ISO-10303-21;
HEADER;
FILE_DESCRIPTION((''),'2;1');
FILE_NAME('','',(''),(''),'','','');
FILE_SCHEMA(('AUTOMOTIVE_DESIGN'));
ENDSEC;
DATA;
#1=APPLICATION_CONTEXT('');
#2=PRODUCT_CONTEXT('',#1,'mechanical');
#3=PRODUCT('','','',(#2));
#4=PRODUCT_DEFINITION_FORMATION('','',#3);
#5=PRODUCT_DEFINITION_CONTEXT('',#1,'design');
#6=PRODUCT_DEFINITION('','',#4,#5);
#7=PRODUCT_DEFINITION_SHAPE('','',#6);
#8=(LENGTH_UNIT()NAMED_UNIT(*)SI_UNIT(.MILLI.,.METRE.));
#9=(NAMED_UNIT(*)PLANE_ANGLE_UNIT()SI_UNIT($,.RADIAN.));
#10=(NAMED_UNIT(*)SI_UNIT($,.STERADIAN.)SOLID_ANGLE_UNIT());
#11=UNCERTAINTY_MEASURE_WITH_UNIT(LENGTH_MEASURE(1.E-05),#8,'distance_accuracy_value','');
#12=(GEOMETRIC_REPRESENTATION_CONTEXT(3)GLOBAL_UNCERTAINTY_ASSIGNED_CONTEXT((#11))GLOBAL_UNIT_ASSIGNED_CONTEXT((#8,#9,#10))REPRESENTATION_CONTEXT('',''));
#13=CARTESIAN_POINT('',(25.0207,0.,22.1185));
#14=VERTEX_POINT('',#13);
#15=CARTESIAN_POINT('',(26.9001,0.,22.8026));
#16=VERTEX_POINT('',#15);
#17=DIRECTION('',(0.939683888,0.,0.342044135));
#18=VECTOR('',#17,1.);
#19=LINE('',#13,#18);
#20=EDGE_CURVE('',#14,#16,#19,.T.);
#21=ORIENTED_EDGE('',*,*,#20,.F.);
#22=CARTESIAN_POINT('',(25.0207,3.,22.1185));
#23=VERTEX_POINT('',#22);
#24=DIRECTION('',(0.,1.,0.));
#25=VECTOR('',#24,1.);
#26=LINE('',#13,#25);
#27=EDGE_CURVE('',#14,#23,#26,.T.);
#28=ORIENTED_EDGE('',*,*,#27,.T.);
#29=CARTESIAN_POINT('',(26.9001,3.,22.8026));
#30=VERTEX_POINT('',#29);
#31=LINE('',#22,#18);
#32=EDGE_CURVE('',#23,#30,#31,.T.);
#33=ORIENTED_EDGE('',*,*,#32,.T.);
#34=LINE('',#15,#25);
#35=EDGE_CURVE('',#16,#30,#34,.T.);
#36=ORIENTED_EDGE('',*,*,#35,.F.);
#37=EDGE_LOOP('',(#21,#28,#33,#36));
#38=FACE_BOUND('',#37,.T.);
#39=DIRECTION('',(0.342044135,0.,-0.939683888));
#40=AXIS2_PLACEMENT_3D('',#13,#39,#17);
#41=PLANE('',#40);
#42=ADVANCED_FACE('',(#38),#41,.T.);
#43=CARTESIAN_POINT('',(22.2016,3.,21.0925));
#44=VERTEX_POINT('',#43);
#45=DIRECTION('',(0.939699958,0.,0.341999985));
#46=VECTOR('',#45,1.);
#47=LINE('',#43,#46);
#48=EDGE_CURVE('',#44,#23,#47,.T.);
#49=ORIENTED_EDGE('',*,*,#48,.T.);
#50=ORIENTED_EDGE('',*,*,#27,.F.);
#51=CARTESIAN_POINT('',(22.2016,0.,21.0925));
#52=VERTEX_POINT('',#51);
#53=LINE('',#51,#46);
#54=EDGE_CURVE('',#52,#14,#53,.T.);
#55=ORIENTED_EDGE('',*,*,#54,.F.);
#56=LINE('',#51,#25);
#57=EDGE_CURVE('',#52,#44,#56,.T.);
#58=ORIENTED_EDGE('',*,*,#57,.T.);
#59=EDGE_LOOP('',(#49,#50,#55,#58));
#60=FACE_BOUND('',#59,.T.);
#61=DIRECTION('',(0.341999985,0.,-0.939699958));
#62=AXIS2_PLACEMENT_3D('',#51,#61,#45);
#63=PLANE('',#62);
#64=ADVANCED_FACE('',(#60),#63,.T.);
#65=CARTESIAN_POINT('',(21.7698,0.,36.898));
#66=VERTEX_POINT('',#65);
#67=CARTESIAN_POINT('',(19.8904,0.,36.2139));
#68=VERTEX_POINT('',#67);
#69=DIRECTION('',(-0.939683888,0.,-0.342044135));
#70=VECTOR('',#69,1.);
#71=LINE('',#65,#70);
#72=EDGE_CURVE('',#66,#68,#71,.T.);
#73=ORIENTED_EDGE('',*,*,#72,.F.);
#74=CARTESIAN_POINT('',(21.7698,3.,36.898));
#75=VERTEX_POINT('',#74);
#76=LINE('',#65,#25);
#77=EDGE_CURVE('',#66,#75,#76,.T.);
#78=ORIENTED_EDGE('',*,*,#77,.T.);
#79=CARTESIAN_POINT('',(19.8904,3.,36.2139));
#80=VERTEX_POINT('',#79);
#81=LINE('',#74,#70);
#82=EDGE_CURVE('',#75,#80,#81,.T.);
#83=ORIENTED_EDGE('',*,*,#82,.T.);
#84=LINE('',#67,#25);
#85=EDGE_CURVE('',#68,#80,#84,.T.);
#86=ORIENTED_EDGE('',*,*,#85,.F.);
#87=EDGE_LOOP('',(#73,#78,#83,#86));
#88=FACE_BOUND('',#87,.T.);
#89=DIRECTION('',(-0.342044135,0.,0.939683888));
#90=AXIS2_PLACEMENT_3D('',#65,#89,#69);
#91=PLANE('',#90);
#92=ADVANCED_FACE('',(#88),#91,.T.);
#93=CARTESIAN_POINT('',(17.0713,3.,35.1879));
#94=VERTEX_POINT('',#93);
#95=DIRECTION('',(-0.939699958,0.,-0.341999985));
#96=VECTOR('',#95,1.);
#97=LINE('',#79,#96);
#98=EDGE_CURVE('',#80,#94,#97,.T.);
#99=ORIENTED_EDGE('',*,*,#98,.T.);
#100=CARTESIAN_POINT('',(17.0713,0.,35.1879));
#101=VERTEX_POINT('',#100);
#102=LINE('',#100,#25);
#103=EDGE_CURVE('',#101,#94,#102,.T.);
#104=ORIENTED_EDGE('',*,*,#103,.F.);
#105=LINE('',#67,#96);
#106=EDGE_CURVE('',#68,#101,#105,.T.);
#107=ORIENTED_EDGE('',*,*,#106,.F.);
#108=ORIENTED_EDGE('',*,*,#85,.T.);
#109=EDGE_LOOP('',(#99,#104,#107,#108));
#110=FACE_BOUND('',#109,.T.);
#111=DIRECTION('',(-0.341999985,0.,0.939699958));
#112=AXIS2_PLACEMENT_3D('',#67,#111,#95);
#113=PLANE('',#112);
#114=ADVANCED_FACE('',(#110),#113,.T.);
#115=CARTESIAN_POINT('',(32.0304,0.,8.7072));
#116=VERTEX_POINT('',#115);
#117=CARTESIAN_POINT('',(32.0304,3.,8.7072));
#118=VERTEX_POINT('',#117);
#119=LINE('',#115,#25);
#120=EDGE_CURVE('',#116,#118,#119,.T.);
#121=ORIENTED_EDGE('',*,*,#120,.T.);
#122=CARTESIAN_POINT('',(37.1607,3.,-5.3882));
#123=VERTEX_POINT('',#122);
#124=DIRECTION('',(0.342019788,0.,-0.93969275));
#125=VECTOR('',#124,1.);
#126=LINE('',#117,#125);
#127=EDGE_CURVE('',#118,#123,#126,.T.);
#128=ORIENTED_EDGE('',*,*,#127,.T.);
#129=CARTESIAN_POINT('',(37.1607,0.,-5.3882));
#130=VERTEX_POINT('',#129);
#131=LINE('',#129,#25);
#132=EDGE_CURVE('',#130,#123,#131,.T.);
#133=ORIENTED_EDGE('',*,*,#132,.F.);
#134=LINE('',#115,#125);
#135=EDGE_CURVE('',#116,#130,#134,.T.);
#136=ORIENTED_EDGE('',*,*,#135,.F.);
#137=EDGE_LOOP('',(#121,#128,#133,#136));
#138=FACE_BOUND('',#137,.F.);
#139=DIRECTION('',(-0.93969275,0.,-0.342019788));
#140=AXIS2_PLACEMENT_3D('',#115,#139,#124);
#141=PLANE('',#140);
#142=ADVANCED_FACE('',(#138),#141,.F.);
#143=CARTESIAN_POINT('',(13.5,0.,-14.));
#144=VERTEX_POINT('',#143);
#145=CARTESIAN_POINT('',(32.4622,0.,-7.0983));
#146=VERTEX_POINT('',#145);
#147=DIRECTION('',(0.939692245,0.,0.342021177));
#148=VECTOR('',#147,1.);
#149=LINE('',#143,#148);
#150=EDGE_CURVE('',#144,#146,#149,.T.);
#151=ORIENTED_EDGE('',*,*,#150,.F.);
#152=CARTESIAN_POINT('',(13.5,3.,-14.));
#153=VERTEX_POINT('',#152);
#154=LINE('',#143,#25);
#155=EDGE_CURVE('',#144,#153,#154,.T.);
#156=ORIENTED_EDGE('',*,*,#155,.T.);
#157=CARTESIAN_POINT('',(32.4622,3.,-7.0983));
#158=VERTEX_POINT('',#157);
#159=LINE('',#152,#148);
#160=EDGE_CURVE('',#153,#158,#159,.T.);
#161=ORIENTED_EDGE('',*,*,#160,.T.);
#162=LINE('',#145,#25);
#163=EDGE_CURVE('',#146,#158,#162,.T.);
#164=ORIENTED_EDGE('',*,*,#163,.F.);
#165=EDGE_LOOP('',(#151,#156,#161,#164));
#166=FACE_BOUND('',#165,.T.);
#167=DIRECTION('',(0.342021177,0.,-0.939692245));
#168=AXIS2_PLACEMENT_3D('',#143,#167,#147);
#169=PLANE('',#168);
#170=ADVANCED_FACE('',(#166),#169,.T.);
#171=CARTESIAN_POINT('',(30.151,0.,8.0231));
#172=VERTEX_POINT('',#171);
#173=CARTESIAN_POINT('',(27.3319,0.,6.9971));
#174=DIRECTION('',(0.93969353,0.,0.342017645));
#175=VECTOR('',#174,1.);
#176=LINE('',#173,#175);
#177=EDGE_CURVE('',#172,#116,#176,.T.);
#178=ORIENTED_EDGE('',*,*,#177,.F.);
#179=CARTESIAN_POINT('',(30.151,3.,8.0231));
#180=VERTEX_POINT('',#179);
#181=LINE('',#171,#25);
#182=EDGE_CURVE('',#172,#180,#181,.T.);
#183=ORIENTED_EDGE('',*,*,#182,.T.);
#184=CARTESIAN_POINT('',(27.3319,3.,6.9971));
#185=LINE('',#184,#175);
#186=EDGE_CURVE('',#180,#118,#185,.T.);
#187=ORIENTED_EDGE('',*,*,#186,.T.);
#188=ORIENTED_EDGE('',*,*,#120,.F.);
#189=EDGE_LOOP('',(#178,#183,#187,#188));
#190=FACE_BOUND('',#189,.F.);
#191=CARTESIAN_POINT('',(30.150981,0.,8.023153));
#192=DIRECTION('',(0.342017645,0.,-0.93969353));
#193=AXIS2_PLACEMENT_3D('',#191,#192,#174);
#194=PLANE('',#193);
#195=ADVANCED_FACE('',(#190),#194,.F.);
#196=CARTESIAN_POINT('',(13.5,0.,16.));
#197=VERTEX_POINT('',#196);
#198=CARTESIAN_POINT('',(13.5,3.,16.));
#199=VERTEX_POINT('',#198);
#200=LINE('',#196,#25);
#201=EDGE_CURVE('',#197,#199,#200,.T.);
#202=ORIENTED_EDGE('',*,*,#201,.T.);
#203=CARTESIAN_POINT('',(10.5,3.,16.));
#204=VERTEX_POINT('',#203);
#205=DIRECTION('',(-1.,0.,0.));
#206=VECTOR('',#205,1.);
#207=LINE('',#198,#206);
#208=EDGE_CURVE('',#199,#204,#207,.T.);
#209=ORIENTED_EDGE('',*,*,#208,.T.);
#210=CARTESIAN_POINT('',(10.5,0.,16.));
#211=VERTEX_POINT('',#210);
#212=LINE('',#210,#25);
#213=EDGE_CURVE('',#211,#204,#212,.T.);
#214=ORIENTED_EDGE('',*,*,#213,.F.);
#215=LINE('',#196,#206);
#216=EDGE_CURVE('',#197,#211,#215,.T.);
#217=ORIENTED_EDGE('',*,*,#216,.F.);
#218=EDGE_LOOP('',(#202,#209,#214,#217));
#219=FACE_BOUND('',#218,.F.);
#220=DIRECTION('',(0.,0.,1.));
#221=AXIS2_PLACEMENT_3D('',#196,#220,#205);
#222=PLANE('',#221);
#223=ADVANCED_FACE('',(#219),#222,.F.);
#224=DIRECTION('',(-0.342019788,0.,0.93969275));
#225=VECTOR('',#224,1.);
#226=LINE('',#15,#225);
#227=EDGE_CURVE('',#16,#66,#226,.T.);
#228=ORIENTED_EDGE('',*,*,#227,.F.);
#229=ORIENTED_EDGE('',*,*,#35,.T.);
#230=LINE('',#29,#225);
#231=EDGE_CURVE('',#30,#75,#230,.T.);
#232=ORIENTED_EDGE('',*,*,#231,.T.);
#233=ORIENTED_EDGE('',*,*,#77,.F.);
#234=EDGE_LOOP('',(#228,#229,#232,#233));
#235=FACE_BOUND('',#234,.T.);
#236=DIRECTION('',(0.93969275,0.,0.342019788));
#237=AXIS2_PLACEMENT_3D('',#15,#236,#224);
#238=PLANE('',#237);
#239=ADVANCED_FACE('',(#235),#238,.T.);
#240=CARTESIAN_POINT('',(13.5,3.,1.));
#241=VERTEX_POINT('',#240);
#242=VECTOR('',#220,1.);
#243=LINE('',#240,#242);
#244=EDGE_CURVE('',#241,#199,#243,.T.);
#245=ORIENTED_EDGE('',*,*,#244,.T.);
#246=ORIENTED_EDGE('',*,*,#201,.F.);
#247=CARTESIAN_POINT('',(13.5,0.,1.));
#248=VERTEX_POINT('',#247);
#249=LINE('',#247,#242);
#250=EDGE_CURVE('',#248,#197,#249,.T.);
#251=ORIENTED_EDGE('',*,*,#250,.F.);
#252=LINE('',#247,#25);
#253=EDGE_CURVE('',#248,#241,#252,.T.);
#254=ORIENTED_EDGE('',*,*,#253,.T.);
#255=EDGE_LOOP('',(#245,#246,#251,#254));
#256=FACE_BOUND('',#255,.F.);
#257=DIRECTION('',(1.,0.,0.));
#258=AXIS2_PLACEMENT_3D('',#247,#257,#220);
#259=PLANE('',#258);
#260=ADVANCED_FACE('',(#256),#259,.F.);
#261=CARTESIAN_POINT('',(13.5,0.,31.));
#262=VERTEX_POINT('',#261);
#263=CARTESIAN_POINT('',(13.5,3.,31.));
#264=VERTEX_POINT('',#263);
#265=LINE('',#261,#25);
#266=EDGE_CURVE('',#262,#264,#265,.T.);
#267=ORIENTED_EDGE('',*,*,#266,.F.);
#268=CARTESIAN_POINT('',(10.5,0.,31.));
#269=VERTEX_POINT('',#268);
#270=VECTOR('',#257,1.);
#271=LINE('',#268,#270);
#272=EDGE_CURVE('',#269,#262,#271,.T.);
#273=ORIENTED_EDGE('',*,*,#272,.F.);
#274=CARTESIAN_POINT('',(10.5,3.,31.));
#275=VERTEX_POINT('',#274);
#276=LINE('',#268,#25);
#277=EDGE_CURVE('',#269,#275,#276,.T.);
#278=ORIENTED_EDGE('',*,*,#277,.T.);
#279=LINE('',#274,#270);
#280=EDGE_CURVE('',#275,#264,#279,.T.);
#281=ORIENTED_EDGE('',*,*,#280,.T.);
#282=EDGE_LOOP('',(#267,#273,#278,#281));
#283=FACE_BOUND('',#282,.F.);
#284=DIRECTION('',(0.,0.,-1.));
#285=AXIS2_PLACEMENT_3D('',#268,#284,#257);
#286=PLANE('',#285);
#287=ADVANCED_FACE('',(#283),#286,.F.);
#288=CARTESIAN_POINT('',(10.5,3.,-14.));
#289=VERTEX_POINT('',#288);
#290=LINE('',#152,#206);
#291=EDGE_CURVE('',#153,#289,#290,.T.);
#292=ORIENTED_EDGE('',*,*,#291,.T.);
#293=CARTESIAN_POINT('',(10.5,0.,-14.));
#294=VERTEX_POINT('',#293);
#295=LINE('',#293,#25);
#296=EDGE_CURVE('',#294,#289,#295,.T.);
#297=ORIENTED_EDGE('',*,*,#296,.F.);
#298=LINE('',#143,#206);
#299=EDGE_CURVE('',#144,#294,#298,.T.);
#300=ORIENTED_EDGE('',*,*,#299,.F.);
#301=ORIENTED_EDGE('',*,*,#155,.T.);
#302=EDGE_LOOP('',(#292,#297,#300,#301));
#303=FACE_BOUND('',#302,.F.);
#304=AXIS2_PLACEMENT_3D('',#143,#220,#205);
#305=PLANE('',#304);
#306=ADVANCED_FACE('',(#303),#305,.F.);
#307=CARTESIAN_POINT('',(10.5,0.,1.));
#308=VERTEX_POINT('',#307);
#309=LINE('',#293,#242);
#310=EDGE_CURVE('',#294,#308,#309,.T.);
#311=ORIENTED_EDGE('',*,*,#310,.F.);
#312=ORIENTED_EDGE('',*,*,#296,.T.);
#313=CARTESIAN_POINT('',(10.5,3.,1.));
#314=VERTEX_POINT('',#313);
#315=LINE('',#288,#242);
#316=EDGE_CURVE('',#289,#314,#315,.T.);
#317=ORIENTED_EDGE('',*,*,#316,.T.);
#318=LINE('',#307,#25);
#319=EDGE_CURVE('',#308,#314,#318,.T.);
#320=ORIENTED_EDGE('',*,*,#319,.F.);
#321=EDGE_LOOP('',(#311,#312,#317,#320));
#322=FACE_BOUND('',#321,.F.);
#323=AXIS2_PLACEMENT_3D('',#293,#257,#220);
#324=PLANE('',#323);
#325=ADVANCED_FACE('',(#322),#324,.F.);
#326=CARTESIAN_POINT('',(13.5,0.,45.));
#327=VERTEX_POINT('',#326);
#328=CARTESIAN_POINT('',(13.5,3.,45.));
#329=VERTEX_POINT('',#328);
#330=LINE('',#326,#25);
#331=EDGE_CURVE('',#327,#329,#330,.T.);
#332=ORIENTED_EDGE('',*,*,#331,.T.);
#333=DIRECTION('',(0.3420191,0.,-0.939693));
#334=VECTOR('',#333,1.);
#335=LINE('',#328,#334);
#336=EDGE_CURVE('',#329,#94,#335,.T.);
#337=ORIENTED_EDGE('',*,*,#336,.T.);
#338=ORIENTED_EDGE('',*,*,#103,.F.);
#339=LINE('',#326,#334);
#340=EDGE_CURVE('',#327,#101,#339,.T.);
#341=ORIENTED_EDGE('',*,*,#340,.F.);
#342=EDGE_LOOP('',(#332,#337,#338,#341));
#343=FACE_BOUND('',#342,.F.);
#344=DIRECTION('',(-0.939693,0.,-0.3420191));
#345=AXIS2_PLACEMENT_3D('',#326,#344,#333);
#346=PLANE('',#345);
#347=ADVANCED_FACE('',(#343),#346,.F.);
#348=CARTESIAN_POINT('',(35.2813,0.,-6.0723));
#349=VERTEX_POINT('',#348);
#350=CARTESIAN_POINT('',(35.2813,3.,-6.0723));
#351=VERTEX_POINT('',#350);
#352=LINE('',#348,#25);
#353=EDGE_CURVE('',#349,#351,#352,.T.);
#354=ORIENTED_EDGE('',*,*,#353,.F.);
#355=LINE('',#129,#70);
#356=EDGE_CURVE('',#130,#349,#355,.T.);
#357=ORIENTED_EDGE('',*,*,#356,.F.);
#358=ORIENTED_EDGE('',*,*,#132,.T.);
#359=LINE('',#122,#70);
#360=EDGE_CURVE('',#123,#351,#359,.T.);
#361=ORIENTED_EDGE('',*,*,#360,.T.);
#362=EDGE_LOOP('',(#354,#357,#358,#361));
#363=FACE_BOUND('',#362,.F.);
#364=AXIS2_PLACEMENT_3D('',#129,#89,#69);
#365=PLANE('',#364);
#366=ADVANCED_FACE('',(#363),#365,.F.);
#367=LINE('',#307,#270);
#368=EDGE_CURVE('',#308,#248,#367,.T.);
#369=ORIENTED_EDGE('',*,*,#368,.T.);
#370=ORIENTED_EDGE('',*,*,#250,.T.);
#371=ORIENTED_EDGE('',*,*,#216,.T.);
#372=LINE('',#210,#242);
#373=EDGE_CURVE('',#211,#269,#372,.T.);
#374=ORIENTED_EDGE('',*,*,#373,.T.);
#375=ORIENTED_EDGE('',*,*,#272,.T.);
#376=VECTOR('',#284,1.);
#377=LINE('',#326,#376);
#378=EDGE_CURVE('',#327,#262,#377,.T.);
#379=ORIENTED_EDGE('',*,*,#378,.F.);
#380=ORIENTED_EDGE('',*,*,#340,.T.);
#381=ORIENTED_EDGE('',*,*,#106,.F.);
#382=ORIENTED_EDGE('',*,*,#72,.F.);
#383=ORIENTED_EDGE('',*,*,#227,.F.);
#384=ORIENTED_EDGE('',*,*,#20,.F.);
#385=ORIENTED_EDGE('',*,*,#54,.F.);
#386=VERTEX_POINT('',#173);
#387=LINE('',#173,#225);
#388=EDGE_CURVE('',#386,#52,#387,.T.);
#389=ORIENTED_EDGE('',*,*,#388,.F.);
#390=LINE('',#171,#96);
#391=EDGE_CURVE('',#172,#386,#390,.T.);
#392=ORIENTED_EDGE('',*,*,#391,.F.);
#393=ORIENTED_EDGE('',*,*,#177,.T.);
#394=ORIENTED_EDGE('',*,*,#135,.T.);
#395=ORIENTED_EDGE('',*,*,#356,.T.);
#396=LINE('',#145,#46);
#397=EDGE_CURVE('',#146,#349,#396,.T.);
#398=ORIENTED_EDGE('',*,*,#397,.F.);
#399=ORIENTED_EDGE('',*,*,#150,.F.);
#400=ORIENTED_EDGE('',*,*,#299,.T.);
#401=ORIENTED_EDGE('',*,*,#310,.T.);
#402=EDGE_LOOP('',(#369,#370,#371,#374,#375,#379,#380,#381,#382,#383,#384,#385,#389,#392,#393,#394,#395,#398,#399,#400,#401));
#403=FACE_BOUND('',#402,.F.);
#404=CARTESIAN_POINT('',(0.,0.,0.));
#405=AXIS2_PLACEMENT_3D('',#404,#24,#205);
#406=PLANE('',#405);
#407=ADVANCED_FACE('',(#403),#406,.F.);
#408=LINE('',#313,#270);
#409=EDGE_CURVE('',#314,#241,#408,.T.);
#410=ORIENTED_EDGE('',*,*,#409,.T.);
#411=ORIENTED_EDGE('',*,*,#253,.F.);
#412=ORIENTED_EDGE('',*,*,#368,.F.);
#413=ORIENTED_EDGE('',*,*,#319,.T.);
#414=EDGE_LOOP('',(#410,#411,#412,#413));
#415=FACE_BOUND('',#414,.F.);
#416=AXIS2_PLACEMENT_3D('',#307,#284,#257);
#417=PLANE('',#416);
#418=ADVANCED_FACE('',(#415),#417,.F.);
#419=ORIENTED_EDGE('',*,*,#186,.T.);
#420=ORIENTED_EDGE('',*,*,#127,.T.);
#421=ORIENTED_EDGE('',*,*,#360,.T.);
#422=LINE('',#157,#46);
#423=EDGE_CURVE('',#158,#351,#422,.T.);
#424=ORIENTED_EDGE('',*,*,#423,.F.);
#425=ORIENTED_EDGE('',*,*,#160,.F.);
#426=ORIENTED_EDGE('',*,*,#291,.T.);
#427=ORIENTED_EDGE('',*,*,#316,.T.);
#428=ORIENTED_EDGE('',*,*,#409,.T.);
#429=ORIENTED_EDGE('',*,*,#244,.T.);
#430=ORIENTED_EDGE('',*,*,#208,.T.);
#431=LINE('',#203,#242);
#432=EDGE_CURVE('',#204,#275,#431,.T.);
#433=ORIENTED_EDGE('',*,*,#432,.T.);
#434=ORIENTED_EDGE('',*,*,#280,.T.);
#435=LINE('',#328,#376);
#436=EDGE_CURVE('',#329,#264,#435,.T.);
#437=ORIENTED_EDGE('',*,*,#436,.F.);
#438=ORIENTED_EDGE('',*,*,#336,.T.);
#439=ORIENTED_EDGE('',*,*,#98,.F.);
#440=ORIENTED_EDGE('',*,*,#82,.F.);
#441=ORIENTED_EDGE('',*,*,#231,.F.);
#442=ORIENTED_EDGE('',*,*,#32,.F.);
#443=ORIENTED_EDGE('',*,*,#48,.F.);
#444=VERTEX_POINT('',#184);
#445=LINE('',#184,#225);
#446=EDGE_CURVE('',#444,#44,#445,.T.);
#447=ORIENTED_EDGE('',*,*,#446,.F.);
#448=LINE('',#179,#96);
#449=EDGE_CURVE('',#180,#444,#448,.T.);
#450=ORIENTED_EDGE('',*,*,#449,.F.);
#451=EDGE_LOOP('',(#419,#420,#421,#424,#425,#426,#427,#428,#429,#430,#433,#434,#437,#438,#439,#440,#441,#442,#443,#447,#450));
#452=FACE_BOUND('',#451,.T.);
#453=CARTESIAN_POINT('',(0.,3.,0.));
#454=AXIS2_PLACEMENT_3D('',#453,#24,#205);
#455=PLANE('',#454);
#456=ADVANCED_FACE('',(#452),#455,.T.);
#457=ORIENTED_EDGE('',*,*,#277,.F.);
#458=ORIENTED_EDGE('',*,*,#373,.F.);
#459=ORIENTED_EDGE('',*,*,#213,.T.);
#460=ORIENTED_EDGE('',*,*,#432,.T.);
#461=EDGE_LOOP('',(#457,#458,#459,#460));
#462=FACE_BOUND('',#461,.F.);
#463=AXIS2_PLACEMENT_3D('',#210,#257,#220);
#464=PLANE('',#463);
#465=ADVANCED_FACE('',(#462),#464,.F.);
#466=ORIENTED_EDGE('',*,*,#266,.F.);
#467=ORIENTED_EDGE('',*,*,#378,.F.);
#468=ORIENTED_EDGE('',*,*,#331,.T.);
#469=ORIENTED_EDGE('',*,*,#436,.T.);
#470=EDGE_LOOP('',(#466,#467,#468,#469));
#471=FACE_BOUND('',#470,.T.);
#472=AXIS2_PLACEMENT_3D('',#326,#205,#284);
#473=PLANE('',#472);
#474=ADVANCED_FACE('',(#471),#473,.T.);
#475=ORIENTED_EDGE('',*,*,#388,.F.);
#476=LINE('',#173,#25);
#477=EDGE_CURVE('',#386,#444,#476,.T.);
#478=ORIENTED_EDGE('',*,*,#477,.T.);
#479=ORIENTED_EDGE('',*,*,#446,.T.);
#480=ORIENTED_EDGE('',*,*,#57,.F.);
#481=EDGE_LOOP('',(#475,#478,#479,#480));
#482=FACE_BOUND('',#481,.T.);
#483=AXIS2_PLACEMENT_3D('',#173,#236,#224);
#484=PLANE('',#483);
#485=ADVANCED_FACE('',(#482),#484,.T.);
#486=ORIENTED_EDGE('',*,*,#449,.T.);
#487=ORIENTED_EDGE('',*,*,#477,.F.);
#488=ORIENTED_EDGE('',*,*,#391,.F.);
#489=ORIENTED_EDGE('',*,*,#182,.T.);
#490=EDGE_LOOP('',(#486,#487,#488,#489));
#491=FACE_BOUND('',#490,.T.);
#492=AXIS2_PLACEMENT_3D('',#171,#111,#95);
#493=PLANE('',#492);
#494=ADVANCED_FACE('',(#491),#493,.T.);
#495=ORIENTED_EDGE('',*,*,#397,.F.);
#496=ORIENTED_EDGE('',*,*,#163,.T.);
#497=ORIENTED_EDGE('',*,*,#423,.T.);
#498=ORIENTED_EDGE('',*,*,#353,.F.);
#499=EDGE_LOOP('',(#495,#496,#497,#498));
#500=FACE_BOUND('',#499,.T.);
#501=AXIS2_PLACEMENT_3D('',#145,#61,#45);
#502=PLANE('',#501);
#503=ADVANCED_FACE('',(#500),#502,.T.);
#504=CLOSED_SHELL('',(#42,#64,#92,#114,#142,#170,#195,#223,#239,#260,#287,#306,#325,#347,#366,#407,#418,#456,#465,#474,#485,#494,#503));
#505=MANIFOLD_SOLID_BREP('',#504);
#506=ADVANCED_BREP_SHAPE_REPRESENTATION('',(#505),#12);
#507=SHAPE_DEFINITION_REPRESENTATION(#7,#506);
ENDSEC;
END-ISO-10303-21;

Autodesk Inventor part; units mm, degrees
ref_plane "YZ Plane" through (0, 0, 0) normal (1, 0, 0) x (0, 1, 0)
ref_plane "XZ Plane" through (0, 0, 0) normal (0, 1, 0) x (-1, 0, 0)
ref_plane "XY Plane" through (0, 0, 0) normal (0, 0, 1) x (1, 0, 0)
sketch "Sketch1" plane through (0, 0, 0) normal (0, 1, 0) x (-1, 0, 0)
  line L0 (-13.5, 16) -> (-10.5, 16)
  line L1 (-22.2016, 21.0925) -> (-25.0207, 22.1185)
  line L2 (-10.5, 31) -> (-13.5, 31)
  line L3 (-10.5, 16) -> (-10.5, 31)
  line L4 (-19.8904, 36.2139) -> (-17.0713, 35.1879)
  line L5 (-13.5, 45) -> (-17.0713, 35.1879)
  line L6 (-13.5, 45) -> (-13.5, 31)
  line L7 (-13.5, -14) -> (-32.4622, -7.0983)
  line L8 (-27.3319, 6.9971) -> (-22.2016, 21.0925)
  line L9 (-22.2016, 21.0925) -> (-27.3319, 6.9971)
  line L10 (-13.5, 1) -> (-13.5, 16)
  line L11 (-13.5, 16) -> (-13.5, 1)
  line L12 (-30.151, 8.0231) -> (-27.3319, 6.9971)
  line L13 (-10.5, 1) -> (-13.5, 1)
  line L14 (-13.5, -14) -> (-10.5, -14)
  line L15 (-10.5, -14) -> (-10.5, 1)
  line L16 (-32.4622, -7.0983) -> (-35.2813, -6.0723)
  line L17 (-27.3319, 6.9971) -> (-32.0304, 8.7072)
  line L18 (-32.0304, 8.7072) -> (-37.1607, -5.3882)
  line L19 (-37.1607, -5.3882) -> (-35.2813, -6.0723)
  line L20 (-25.0207, 22.1185) -> (-26.9001, 22.8026)
  line L21 (-26.9001, 22.8026) -> (-21.7698, 36.898)
  line L22 (-21.7698, 36.898) -> (-19.8904, 36.2139)
  point P0 (0, 0)
  point P1 (0, 0)
  dimension "d0" = 3
  dimension "d1" = 15
  dimension "d2" = 15
  dimension "d3" = 15
  dimension "d4" = 15
  dimension "d5" = 15
  dimension "d6" = 15
  dimension "d7" = 2.8191
  dimension "d8" = 5
extrude "Extrusion1" add sketch "Sketch1" along normal blind 3
properties part number "do_sensor_3_3mm"
